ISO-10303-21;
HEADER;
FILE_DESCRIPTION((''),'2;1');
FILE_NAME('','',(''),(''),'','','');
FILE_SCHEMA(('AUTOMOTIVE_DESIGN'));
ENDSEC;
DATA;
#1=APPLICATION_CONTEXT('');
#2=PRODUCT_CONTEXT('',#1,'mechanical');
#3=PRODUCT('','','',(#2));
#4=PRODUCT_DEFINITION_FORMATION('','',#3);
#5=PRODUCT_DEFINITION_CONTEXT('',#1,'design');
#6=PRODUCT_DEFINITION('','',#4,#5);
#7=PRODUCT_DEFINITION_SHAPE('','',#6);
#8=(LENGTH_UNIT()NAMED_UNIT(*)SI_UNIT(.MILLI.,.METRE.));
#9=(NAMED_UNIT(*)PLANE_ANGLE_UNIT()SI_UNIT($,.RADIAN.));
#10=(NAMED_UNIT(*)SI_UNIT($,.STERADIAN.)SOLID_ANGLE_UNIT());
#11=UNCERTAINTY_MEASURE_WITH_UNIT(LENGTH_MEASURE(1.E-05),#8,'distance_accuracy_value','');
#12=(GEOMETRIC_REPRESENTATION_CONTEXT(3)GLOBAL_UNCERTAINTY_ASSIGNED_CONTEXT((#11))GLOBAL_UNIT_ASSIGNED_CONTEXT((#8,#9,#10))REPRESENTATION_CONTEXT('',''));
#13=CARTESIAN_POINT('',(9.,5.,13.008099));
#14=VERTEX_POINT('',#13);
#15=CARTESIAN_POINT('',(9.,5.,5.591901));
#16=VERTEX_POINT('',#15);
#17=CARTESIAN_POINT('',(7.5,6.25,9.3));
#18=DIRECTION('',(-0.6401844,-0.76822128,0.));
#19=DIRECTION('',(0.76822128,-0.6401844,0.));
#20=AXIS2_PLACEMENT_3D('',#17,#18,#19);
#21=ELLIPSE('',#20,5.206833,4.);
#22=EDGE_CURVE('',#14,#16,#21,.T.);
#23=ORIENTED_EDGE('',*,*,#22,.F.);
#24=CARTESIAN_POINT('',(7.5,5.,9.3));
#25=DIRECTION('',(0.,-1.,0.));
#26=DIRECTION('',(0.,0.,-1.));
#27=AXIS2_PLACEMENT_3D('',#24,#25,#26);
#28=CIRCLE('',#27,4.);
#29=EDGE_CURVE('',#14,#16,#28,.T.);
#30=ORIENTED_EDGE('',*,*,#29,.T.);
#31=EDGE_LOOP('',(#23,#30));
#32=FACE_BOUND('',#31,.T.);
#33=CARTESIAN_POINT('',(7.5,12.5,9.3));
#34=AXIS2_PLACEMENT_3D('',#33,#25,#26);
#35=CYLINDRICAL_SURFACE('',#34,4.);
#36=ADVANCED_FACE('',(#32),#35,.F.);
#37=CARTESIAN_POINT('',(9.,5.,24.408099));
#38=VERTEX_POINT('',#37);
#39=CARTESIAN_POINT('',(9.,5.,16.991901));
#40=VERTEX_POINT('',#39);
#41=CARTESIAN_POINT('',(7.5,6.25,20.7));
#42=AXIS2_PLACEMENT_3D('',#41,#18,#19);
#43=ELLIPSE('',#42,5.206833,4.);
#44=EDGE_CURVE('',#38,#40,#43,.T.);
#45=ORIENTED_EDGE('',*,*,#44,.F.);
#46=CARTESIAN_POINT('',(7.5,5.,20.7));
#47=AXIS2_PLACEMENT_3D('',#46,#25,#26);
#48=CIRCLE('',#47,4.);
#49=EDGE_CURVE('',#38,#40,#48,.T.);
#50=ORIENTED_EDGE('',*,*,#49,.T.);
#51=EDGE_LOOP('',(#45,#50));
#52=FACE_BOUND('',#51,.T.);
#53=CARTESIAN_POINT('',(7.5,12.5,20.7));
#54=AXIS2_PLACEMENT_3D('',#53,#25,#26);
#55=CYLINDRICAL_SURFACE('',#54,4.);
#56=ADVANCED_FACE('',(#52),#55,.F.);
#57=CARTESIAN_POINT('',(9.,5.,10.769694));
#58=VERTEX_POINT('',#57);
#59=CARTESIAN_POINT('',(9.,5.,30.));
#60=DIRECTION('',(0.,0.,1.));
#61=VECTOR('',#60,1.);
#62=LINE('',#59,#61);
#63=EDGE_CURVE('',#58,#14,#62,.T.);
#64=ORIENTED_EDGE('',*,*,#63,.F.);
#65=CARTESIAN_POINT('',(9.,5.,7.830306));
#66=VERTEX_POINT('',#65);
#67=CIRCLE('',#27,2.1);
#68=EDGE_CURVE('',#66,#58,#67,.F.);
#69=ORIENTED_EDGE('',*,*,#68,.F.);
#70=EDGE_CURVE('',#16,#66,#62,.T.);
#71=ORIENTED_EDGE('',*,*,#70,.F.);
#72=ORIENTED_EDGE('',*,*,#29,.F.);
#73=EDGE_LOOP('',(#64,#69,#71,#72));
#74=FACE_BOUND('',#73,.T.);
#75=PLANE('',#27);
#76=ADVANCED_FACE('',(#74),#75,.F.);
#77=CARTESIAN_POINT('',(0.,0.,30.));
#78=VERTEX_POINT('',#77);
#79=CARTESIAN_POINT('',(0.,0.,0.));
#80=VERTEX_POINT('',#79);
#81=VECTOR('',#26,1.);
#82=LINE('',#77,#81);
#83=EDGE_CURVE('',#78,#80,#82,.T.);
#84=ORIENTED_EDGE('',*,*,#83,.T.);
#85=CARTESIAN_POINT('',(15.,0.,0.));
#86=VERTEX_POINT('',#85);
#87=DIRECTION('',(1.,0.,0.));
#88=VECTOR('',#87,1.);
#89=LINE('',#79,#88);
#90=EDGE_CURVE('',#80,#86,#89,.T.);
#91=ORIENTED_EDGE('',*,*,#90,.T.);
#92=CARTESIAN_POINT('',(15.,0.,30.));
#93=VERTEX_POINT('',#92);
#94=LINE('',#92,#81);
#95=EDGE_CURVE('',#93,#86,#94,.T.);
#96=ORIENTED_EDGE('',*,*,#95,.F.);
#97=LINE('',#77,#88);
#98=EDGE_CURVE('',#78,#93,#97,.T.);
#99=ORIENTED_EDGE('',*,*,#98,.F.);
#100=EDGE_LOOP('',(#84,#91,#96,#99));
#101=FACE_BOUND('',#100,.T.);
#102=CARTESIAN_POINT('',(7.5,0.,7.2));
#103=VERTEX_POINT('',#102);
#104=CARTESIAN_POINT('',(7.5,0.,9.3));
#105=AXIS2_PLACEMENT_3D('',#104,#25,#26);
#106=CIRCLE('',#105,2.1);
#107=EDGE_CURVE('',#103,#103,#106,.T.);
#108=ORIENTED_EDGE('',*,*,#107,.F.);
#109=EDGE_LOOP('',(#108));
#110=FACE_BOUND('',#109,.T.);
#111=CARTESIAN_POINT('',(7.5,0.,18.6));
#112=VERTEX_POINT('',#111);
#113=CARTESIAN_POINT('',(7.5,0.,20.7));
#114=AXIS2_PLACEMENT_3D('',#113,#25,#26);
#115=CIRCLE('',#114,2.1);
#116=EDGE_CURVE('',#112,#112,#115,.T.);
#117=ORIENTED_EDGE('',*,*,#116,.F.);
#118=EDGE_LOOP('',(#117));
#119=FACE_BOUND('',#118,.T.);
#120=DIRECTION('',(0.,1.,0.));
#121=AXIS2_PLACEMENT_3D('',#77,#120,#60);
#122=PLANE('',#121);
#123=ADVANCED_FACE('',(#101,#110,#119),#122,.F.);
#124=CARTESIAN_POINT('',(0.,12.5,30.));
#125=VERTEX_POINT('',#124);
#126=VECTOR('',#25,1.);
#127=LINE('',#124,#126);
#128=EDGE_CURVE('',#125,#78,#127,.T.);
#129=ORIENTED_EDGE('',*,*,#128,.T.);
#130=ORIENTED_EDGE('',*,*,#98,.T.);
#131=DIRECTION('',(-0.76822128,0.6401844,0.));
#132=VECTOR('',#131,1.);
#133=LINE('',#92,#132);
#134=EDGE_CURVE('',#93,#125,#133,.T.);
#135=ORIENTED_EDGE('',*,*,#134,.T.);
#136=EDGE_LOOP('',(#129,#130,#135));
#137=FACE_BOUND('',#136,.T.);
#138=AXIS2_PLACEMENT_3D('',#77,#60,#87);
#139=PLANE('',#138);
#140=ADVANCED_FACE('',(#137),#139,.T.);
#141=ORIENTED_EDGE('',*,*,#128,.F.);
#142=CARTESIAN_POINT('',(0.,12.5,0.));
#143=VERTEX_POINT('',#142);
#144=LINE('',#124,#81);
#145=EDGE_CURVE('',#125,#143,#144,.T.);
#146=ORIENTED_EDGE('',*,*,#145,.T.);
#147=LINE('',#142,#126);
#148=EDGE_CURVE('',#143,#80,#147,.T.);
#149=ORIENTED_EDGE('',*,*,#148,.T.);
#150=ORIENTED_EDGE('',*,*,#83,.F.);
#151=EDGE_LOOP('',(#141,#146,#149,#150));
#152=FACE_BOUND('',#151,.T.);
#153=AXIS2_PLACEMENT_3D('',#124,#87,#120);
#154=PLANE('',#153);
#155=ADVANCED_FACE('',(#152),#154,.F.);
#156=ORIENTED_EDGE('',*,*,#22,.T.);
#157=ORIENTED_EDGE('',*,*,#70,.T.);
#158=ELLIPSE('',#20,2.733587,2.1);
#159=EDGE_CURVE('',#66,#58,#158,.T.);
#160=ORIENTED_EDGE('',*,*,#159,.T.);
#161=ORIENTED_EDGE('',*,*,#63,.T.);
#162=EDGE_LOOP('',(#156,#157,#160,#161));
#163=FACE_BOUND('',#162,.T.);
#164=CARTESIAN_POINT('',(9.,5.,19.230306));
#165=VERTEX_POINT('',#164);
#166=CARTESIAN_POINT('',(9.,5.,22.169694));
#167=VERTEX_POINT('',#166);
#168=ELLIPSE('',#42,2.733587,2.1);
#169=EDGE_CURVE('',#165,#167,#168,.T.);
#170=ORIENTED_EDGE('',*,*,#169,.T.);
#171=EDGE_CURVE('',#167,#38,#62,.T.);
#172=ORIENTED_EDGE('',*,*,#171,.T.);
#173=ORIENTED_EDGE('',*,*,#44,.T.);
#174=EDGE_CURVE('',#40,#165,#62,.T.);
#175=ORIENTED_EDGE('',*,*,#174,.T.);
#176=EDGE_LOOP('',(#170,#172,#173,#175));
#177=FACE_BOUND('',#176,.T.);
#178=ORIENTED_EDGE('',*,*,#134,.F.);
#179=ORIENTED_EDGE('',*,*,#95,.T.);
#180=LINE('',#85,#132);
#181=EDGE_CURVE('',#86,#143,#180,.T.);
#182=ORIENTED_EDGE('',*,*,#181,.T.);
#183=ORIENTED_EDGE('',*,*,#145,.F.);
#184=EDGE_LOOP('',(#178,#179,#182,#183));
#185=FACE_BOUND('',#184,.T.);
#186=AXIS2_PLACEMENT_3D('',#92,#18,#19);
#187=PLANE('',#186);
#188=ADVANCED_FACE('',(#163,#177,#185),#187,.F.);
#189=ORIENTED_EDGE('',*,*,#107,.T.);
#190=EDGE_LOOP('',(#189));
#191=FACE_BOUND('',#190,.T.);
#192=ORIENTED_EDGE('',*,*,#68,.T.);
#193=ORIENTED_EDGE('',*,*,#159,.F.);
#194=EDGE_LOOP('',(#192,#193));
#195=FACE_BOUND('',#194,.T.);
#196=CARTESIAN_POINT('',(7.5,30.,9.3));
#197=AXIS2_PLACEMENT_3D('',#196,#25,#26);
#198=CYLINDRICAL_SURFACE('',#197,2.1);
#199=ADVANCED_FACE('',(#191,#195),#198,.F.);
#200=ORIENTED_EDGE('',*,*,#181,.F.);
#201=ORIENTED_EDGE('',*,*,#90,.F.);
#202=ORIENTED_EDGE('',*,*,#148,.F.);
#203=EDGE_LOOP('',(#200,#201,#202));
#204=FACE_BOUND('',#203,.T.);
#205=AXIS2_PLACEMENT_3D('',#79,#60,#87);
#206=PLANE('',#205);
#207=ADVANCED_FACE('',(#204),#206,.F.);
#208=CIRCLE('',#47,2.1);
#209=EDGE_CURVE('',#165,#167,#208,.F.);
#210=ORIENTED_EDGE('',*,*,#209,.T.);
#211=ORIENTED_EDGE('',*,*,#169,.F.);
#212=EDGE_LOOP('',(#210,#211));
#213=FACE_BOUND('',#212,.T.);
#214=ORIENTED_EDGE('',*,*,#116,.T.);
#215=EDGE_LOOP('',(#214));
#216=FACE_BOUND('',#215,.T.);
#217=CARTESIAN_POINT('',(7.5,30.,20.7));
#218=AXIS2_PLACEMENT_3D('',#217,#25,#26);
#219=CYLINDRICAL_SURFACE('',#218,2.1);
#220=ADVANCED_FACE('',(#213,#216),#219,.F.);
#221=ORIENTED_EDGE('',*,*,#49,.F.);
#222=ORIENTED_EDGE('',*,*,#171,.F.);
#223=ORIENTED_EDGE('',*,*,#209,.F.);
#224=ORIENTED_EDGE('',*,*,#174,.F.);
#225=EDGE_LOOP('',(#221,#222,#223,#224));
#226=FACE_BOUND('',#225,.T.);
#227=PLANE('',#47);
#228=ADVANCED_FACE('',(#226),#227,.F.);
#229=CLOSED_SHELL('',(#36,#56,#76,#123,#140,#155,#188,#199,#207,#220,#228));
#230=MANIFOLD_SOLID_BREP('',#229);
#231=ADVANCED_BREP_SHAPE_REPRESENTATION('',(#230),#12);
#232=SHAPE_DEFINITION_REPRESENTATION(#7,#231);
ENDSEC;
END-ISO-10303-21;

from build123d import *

# Parameters (mm, degrees)
EXTRUDE_1_DEPTH     = 30
SKETCH_2_R          = 2.1
CUT_EXTRUDE_1_DEPTH = 30
CUT_EXTRUDE_START   = -5
SKETCH_3_R          = 4
CUT_EXTRUDE_2_DEPTH = 8.5


with BuildPart() as part:
    # 草圖1 → 填料-伸長1 (new body)
    with BuildSketch(Plane.XY):
        Polygon((0, 0), (15, 0), (0, 12.5), align=None)
    extrude(amount=EXTRUDE_1_DEPTH)

    # 草圖2 → 除料-伸長1 (cut)
    with BuildSketch(Plane(origin=(0, 0, 0), x_dir=(-1, 0, 0), z_dir=(0, -1, 0))):
        with Locations((-7.5, -20.7)):
            Circle(SKETCH_2_R)
        with Locations((-7.5, -9.3)):
            Circle(SKETCH_2_R)
    extrude(amount=-CUT_EXTRUDE_1_DEPTH, mode=Mode.SUBTRACT)

    # 草圖3 → 除料-伸長2 (cut, through all)
    with BuildSketch(Plane.XZ.offset(CUT_EXTRUDE_START)):
        with Locations((7.5, 20.7)):
            Circle(SKETCH_3_R)
        with Locations((7.5, 9.3)):
            Circle(SKETCH_3_R)
    extrude(amount=-CUT_EXTRUDE_2_DEPTH, mode=Mode.SUBTRACT)


solid = part.part
